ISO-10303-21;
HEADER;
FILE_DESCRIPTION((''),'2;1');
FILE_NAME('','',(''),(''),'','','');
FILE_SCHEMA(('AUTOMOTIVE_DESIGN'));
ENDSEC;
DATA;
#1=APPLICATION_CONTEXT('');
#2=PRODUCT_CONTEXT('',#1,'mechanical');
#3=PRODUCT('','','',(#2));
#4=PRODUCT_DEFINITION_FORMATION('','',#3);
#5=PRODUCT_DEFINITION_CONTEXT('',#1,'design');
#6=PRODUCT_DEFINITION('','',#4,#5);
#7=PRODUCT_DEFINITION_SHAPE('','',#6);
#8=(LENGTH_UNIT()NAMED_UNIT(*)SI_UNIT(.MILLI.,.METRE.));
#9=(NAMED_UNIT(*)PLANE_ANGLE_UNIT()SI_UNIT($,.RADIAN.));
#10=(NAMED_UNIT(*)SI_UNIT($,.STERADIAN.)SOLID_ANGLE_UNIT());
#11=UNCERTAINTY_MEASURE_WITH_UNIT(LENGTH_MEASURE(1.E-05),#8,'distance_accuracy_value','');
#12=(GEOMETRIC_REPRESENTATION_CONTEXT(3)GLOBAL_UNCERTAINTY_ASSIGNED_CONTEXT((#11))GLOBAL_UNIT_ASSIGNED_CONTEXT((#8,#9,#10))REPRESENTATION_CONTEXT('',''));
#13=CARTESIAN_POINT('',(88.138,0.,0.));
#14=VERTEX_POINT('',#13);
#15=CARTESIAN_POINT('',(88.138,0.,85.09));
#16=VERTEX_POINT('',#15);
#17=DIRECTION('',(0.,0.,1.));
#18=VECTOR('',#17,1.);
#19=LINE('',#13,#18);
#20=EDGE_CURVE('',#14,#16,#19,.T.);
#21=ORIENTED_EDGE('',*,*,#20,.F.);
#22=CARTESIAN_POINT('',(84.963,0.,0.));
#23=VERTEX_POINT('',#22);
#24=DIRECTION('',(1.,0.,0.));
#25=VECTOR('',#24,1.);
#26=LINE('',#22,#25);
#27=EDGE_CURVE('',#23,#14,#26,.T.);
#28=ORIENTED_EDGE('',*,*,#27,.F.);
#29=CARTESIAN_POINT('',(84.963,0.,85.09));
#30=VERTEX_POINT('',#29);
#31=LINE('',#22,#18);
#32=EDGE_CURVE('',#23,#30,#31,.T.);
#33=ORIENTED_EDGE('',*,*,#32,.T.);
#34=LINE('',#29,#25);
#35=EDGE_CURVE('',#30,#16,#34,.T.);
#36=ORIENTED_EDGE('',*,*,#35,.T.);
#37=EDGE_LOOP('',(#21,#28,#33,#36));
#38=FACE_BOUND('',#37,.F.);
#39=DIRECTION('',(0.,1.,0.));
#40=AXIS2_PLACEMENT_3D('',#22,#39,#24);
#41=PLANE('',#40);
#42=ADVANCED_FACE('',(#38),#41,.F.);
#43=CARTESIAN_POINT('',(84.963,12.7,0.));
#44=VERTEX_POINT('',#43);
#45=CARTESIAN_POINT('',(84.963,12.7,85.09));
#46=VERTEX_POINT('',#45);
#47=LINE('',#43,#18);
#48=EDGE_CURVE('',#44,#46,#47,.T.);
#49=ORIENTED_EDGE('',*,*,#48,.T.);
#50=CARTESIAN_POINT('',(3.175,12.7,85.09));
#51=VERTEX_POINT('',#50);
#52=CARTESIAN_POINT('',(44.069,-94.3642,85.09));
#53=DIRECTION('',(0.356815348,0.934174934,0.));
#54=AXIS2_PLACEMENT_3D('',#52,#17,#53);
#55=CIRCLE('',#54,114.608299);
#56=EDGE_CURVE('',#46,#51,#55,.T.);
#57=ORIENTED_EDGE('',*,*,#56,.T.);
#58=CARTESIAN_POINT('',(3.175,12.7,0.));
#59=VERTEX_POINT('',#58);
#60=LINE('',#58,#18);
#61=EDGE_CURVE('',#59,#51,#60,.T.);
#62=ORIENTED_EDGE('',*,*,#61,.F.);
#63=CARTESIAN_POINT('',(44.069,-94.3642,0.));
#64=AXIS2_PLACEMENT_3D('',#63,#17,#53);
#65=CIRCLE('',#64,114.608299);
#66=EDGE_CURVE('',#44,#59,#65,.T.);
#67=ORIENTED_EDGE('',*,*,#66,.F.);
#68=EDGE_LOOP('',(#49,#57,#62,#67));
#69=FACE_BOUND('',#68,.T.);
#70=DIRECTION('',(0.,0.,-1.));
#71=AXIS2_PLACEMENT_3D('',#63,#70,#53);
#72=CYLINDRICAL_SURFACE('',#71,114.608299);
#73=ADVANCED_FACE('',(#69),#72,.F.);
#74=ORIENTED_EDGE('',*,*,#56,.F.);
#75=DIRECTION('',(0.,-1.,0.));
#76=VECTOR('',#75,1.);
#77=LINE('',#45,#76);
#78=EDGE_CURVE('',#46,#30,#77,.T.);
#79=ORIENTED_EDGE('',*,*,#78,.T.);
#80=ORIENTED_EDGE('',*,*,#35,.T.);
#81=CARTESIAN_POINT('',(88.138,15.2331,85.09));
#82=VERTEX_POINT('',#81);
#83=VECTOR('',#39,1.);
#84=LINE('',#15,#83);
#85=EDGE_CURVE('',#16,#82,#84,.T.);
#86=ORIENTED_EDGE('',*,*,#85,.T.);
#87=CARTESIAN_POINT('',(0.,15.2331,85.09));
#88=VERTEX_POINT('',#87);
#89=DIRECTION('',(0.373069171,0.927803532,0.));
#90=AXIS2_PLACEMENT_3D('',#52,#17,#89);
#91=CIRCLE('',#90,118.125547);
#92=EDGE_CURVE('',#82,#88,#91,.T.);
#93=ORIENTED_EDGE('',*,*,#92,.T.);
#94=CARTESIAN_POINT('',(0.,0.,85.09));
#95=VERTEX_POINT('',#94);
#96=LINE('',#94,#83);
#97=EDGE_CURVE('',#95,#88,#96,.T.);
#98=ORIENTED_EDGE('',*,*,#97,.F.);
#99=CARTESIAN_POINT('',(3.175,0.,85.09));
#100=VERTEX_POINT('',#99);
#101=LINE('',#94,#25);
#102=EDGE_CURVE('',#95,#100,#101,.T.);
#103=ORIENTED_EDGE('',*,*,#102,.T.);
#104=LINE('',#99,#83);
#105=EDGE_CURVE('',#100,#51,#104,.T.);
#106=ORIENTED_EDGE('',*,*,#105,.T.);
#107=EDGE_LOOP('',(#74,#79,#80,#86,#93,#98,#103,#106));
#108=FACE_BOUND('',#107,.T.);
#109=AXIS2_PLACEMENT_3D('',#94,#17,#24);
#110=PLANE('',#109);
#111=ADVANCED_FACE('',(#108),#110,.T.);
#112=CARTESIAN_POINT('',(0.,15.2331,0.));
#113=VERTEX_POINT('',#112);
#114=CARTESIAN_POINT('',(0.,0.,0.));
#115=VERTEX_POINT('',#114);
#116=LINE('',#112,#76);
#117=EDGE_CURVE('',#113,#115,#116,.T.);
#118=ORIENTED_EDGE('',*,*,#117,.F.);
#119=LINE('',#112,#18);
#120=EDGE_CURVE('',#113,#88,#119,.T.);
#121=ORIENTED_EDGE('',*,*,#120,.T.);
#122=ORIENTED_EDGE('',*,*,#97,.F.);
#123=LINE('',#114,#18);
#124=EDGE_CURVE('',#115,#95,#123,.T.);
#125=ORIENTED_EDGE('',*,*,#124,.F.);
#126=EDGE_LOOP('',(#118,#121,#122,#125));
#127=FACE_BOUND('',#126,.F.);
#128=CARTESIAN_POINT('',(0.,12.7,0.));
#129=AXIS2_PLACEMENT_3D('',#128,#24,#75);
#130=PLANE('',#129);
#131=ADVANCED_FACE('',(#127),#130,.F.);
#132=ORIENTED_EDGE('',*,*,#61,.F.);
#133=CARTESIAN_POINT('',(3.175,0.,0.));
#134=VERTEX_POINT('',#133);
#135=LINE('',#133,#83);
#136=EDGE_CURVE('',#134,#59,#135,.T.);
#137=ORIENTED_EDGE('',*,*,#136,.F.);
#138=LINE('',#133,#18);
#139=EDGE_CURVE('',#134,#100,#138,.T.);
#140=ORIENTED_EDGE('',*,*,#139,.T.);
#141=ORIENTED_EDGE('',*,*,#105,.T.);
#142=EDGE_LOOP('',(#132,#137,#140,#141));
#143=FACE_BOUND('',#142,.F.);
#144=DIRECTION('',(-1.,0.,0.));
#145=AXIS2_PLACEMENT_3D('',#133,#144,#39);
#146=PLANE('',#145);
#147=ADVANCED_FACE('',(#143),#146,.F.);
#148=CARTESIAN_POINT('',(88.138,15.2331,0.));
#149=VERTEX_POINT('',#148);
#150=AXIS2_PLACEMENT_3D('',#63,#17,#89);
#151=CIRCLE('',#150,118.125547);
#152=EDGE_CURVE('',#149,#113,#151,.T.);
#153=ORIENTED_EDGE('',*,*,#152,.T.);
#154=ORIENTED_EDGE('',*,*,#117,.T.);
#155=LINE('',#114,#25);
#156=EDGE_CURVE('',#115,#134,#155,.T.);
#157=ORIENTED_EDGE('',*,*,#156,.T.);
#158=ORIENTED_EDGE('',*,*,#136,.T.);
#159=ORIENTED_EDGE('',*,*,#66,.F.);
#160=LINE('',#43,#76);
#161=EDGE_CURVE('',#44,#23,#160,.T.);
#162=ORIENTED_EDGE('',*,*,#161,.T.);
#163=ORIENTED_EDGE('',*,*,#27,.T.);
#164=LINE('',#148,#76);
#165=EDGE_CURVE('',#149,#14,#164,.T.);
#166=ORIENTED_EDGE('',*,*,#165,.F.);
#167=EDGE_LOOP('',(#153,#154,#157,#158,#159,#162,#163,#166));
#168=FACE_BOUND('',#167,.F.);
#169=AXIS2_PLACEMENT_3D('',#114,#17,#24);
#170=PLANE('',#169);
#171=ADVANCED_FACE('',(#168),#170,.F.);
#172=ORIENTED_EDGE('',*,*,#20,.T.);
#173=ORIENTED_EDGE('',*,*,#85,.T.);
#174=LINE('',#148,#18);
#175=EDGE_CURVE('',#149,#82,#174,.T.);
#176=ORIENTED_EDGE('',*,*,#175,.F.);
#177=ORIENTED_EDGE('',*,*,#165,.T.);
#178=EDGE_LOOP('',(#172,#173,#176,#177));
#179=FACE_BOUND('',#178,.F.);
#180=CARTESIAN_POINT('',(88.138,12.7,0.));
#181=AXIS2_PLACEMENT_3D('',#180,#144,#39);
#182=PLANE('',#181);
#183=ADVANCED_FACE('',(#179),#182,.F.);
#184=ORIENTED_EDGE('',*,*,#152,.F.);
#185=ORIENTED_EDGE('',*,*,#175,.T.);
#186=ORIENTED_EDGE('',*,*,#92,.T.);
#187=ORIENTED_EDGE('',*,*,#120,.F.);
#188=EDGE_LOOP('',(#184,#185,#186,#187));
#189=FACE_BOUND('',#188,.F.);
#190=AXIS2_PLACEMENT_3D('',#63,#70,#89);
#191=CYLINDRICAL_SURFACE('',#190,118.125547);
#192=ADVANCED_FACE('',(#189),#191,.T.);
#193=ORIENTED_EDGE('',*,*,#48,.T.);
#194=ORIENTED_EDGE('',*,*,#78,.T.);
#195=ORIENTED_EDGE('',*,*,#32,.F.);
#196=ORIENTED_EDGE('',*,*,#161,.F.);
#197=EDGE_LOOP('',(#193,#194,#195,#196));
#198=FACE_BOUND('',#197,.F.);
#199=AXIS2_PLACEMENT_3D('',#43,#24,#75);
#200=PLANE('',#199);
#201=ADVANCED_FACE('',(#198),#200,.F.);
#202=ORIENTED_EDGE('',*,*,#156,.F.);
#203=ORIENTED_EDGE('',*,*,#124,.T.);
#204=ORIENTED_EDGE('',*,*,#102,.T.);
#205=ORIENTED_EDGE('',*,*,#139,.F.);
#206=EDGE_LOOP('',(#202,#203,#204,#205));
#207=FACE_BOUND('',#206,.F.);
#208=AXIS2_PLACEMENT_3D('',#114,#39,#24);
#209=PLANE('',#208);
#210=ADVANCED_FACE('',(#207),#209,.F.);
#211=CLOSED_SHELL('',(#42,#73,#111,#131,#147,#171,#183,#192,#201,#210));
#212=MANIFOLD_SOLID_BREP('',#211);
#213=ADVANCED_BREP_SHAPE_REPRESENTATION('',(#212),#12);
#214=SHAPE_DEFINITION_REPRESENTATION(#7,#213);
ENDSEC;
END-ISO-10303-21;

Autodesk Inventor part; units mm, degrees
ref_plane "YZ Plane" through (0, 0, 0) normal (1, 0, 0) x (0, 1, 0)
ref_plane "XZ Plane" through (0, 0, 0) normal (0, 1, 0) x (-1, 0, 0)
ref_plane "XY Plane" through (0, 0, 0) normal (0, 0, 1) x (1, 0, 0)
sketch "Sketch1" plane through (0, 0, 0) normal (0, 0, 1) x (1, 0, 0)
  line L0 (0, 0) -> (3.175, 0)
  line L1 (3.175, 0) -> (3.175, 12.7)
  line L2 (3.175, 12.7) -> (0, 12.7)
  line L3 (0, 12.7) -> (0, 0)
  line L4 (84.963, 0) -> (88.138, 0)
  line L5 (88.138, 0) -> (88.138, 12.7)
  line L6 (88.138, 12.7) -> (84.963, 12.7)
  line L7 (84.963, 12.7) -> (84.963, 0)
  arc A0 (84.963, 12.7) -> (3.175, 12.7) centre (44.069, -94.3642) ccw
  line L8 (0, 12.7) -> (0, 15.2331)
  line L9 (88.138, 12.7) -> (88.138, 15.2331)
  arc A1 (88.138, 15.2331) -> (0, 15.2331) centre (44.069, -94.3642) ccw
  dimension "d0" = 3.175
  dimension "d1" = 12.7
  dimension "d2" = 81.788
  dimension "d3" = 3.175
  dimension "d4" = 12.7
  dimension "d5" = 2.5331
  dimension "d6" = 2.5331
extrude "Extrusion1" add sketch "Sketch1" along normal blind 85.09
equation "\"d3\" = d0"
equation "\"d4\" = d1"
equation "\"d6\" = d5"
properties part number "Canopy"
